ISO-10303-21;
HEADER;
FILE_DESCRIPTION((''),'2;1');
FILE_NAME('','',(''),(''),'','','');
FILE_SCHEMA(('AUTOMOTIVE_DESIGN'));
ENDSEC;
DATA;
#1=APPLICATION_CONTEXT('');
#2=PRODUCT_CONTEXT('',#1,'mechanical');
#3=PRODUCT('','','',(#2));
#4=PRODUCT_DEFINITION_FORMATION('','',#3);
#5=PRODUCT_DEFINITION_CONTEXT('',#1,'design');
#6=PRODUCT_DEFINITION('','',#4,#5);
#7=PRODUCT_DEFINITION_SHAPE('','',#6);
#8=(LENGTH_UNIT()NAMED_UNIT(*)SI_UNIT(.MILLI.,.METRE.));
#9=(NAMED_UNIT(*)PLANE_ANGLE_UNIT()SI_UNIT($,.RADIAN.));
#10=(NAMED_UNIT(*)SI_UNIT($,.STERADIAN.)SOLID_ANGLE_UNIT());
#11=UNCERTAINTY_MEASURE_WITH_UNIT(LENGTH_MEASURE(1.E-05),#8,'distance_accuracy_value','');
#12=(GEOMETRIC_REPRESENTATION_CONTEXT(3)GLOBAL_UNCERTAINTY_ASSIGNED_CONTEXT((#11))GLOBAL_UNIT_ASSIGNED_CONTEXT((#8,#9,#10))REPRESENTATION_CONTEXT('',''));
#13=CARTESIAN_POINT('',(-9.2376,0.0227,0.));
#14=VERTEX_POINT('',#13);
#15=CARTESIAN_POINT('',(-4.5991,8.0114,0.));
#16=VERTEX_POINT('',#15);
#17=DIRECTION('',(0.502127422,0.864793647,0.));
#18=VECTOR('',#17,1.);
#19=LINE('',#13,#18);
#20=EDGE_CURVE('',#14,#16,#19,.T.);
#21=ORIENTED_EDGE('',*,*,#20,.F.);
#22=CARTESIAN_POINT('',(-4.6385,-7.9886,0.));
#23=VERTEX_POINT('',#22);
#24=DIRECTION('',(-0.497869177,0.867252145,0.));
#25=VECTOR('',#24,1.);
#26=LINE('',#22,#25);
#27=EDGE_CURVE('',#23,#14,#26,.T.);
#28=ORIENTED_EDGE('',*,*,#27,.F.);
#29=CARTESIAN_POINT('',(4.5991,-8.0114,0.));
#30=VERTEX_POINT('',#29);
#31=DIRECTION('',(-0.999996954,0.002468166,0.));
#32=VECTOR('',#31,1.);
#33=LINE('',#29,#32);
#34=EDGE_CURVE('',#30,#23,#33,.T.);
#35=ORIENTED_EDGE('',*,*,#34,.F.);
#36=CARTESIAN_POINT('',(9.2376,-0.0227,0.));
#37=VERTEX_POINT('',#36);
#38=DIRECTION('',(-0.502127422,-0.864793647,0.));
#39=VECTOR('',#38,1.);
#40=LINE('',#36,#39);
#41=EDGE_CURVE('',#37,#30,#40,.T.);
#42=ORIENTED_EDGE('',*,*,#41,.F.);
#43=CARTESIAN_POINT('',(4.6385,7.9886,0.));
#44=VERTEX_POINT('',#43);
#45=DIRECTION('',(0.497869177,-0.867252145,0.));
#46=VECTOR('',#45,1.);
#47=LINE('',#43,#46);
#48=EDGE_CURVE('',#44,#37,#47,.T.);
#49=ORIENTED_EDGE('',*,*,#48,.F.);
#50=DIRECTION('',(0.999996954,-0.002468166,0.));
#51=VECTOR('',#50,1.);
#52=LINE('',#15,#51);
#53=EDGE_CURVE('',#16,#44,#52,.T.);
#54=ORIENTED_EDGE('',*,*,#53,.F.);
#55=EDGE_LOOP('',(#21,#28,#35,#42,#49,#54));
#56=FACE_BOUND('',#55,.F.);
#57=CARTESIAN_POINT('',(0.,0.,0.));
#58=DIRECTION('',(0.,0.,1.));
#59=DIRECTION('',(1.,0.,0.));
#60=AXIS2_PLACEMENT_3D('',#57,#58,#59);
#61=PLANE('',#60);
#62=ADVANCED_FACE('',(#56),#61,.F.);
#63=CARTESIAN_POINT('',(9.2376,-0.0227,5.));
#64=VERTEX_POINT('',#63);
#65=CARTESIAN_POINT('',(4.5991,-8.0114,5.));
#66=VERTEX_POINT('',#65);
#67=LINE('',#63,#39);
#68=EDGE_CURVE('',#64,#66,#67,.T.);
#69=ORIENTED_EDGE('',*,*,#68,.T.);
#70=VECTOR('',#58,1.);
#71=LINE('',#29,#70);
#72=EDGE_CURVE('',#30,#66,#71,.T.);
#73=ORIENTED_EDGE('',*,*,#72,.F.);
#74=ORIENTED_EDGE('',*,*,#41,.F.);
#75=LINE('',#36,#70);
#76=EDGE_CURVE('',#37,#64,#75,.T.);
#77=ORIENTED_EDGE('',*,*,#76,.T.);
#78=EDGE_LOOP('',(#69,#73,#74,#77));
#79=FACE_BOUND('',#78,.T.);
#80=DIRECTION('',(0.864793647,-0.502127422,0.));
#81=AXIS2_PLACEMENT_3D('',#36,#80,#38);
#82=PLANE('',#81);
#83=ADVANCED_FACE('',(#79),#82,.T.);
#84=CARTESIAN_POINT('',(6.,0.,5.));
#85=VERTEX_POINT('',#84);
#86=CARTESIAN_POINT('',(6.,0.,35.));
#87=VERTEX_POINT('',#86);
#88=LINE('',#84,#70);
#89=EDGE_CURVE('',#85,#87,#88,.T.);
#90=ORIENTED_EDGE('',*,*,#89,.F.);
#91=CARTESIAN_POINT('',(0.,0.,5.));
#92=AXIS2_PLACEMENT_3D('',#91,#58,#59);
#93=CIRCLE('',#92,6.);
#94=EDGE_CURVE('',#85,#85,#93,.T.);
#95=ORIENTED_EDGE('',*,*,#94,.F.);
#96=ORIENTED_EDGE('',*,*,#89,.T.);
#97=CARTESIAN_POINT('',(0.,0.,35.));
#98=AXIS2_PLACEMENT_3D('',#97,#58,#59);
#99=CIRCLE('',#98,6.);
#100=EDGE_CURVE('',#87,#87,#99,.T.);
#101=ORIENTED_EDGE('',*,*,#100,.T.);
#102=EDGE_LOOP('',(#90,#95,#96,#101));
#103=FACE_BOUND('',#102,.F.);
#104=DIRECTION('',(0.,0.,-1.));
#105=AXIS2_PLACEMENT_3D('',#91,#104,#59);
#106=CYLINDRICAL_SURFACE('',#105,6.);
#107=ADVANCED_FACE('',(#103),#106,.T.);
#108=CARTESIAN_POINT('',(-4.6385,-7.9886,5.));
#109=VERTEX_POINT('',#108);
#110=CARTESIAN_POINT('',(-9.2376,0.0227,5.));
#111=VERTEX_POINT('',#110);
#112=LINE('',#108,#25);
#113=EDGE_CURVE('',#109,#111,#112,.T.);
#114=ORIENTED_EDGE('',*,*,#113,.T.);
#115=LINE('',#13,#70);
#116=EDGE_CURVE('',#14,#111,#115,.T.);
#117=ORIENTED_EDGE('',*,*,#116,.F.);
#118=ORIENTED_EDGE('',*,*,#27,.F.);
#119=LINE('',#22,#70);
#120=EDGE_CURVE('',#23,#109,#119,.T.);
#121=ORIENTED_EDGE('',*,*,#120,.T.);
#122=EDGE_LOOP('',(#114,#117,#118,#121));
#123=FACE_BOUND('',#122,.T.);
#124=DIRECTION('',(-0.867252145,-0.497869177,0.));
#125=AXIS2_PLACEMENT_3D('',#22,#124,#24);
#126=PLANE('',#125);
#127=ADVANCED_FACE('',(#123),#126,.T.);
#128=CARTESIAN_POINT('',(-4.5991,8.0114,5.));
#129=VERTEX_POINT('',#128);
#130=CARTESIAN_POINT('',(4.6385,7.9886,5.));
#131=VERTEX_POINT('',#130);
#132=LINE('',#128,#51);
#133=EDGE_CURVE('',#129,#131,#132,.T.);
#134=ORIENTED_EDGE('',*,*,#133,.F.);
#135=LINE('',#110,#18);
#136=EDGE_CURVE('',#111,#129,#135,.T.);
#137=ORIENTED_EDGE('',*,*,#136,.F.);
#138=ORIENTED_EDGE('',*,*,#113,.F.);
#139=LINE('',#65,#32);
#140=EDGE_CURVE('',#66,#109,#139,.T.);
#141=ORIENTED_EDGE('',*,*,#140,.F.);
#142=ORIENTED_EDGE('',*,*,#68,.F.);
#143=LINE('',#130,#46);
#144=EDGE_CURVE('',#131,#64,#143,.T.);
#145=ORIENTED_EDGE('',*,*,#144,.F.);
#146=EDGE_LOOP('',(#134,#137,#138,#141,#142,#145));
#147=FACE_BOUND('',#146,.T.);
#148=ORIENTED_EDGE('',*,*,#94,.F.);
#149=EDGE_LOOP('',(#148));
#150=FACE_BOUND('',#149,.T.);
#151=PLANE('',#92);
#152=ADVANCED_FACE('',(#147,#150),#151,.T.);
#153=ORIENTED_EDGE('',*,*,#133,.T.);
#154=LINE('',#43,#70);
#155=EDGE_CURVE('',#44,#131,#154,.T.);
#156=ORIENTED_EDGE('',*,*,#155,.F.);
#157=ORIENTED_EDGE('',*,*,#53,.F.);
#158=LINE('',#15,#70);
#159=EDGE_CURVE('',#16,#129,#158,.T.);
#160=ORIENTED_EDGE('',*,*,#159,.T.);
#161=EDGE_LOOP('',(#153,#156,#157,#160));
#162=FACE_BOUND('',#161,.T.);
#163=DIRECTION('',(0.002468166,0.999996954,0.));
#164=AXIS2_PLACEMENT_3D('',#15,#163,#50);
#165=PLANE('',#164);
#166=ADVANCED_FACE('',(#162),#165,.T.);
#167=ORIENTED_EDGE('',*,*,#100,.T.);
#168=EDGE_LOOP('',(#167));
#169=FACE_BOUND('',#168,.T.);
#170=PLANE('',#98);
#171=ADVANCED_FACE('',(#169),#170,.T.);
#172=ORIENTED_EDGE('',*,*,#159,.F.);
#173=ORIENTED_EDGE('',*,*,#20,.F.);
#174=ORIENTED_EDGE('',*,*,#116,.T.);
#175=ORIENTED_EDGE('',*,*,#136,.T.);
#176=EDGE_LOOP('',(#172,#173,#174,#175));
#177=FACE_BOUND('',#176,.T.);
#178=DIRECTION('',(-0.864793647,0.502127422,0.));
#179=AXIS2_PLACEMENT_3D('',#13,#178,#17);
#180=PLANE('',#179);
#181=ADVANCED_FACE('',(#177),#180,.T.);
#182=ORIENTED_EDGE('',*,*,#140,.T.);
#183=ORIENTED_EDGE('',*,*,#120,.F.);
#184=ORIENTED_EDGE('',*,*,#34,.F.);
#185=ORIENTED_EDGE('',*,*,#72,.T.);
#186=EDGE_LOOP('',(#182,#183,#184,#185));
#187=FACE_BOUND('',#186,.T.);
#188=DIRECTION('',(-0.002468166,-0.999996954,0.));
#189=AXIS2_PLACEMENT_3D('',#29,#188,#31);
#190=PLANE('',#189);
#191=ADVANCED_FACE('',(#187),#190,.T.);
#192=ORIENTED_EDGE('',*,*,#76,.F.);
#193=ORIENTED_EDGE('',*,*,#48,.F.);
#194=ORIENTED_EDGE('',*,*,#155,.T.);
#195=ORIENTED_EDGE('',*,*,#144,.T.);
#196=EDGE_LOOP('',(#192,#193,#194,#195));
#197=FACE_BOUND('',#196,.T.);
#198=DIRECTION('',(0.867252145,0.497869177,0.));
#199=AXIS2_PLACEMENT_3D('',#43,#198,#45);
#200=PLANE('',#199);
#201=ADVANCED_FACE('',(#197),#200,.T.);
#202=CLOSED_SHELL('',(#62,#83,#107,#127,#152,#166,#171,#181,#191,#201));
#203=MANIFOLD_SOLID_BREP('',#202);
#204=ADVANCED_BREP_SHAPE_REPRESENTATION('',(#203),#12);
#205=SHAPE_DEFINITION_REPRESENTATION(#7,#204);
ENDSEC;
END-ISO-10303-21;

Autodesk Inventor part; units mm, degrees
ref_plane "YZ Plane" through (0, 0, 0) normal (1, 0, 0) x (0, 1, 0)
ref_plane "XZ Plane" through (0, 0, 0) normal (0, 1, 0) x (-1, 0, 0)
ref_plane "XY Plane" through (0, 0, 0) normal (0, 0, 1) x (1, 0, 0)
sketch "Sketch1" plane through (0, 0, 0) normal (0, 0, 1) x (1, 0, 0)
  line L0 (4.5991, -8.0114) -> (-4.6385, -7.9886)
  line L1 (-4.6385, -7.9886) -> (-9.2376, 0.0227)
  line L2 (-9.2376, 0.0227) -> (-4.5991, 8.0114)
  line L3 (-4.5991, 8.0114) -> (4.6385, 7.9886)
  line L4 (4.6385, 7.9886) -> (9.2376, -0.0227)
  line L5 (9.2376, -0.0227) -> (4.5991, -8.0114)
  point P0 (0, 0)
  point P1 (0, 0)
  point P2 (-0.0197, -8)
  point P3 (0.0197, 8)
  dimension "d0" = 16
extrude "Extrusion1" add sketch "Sketch1" along normal blind 5
sketch "Sketch2" plane through (0, 0, 5) normal (0, 0, 1) x (1, 0, 0)
  circle A0 centre (0, 0) radius 6
  dimension "d3" = 12
extrude "Extrusion2" add sketch "Sketch2" along normal blind 30
thread "Thread1" size "M12x1.5" class "6g" standard "ANSI Metric M Profile" full length
thread "Thread2" size "M12x1.5" class "6g" standard "ANSI Metric M Profile" full length
